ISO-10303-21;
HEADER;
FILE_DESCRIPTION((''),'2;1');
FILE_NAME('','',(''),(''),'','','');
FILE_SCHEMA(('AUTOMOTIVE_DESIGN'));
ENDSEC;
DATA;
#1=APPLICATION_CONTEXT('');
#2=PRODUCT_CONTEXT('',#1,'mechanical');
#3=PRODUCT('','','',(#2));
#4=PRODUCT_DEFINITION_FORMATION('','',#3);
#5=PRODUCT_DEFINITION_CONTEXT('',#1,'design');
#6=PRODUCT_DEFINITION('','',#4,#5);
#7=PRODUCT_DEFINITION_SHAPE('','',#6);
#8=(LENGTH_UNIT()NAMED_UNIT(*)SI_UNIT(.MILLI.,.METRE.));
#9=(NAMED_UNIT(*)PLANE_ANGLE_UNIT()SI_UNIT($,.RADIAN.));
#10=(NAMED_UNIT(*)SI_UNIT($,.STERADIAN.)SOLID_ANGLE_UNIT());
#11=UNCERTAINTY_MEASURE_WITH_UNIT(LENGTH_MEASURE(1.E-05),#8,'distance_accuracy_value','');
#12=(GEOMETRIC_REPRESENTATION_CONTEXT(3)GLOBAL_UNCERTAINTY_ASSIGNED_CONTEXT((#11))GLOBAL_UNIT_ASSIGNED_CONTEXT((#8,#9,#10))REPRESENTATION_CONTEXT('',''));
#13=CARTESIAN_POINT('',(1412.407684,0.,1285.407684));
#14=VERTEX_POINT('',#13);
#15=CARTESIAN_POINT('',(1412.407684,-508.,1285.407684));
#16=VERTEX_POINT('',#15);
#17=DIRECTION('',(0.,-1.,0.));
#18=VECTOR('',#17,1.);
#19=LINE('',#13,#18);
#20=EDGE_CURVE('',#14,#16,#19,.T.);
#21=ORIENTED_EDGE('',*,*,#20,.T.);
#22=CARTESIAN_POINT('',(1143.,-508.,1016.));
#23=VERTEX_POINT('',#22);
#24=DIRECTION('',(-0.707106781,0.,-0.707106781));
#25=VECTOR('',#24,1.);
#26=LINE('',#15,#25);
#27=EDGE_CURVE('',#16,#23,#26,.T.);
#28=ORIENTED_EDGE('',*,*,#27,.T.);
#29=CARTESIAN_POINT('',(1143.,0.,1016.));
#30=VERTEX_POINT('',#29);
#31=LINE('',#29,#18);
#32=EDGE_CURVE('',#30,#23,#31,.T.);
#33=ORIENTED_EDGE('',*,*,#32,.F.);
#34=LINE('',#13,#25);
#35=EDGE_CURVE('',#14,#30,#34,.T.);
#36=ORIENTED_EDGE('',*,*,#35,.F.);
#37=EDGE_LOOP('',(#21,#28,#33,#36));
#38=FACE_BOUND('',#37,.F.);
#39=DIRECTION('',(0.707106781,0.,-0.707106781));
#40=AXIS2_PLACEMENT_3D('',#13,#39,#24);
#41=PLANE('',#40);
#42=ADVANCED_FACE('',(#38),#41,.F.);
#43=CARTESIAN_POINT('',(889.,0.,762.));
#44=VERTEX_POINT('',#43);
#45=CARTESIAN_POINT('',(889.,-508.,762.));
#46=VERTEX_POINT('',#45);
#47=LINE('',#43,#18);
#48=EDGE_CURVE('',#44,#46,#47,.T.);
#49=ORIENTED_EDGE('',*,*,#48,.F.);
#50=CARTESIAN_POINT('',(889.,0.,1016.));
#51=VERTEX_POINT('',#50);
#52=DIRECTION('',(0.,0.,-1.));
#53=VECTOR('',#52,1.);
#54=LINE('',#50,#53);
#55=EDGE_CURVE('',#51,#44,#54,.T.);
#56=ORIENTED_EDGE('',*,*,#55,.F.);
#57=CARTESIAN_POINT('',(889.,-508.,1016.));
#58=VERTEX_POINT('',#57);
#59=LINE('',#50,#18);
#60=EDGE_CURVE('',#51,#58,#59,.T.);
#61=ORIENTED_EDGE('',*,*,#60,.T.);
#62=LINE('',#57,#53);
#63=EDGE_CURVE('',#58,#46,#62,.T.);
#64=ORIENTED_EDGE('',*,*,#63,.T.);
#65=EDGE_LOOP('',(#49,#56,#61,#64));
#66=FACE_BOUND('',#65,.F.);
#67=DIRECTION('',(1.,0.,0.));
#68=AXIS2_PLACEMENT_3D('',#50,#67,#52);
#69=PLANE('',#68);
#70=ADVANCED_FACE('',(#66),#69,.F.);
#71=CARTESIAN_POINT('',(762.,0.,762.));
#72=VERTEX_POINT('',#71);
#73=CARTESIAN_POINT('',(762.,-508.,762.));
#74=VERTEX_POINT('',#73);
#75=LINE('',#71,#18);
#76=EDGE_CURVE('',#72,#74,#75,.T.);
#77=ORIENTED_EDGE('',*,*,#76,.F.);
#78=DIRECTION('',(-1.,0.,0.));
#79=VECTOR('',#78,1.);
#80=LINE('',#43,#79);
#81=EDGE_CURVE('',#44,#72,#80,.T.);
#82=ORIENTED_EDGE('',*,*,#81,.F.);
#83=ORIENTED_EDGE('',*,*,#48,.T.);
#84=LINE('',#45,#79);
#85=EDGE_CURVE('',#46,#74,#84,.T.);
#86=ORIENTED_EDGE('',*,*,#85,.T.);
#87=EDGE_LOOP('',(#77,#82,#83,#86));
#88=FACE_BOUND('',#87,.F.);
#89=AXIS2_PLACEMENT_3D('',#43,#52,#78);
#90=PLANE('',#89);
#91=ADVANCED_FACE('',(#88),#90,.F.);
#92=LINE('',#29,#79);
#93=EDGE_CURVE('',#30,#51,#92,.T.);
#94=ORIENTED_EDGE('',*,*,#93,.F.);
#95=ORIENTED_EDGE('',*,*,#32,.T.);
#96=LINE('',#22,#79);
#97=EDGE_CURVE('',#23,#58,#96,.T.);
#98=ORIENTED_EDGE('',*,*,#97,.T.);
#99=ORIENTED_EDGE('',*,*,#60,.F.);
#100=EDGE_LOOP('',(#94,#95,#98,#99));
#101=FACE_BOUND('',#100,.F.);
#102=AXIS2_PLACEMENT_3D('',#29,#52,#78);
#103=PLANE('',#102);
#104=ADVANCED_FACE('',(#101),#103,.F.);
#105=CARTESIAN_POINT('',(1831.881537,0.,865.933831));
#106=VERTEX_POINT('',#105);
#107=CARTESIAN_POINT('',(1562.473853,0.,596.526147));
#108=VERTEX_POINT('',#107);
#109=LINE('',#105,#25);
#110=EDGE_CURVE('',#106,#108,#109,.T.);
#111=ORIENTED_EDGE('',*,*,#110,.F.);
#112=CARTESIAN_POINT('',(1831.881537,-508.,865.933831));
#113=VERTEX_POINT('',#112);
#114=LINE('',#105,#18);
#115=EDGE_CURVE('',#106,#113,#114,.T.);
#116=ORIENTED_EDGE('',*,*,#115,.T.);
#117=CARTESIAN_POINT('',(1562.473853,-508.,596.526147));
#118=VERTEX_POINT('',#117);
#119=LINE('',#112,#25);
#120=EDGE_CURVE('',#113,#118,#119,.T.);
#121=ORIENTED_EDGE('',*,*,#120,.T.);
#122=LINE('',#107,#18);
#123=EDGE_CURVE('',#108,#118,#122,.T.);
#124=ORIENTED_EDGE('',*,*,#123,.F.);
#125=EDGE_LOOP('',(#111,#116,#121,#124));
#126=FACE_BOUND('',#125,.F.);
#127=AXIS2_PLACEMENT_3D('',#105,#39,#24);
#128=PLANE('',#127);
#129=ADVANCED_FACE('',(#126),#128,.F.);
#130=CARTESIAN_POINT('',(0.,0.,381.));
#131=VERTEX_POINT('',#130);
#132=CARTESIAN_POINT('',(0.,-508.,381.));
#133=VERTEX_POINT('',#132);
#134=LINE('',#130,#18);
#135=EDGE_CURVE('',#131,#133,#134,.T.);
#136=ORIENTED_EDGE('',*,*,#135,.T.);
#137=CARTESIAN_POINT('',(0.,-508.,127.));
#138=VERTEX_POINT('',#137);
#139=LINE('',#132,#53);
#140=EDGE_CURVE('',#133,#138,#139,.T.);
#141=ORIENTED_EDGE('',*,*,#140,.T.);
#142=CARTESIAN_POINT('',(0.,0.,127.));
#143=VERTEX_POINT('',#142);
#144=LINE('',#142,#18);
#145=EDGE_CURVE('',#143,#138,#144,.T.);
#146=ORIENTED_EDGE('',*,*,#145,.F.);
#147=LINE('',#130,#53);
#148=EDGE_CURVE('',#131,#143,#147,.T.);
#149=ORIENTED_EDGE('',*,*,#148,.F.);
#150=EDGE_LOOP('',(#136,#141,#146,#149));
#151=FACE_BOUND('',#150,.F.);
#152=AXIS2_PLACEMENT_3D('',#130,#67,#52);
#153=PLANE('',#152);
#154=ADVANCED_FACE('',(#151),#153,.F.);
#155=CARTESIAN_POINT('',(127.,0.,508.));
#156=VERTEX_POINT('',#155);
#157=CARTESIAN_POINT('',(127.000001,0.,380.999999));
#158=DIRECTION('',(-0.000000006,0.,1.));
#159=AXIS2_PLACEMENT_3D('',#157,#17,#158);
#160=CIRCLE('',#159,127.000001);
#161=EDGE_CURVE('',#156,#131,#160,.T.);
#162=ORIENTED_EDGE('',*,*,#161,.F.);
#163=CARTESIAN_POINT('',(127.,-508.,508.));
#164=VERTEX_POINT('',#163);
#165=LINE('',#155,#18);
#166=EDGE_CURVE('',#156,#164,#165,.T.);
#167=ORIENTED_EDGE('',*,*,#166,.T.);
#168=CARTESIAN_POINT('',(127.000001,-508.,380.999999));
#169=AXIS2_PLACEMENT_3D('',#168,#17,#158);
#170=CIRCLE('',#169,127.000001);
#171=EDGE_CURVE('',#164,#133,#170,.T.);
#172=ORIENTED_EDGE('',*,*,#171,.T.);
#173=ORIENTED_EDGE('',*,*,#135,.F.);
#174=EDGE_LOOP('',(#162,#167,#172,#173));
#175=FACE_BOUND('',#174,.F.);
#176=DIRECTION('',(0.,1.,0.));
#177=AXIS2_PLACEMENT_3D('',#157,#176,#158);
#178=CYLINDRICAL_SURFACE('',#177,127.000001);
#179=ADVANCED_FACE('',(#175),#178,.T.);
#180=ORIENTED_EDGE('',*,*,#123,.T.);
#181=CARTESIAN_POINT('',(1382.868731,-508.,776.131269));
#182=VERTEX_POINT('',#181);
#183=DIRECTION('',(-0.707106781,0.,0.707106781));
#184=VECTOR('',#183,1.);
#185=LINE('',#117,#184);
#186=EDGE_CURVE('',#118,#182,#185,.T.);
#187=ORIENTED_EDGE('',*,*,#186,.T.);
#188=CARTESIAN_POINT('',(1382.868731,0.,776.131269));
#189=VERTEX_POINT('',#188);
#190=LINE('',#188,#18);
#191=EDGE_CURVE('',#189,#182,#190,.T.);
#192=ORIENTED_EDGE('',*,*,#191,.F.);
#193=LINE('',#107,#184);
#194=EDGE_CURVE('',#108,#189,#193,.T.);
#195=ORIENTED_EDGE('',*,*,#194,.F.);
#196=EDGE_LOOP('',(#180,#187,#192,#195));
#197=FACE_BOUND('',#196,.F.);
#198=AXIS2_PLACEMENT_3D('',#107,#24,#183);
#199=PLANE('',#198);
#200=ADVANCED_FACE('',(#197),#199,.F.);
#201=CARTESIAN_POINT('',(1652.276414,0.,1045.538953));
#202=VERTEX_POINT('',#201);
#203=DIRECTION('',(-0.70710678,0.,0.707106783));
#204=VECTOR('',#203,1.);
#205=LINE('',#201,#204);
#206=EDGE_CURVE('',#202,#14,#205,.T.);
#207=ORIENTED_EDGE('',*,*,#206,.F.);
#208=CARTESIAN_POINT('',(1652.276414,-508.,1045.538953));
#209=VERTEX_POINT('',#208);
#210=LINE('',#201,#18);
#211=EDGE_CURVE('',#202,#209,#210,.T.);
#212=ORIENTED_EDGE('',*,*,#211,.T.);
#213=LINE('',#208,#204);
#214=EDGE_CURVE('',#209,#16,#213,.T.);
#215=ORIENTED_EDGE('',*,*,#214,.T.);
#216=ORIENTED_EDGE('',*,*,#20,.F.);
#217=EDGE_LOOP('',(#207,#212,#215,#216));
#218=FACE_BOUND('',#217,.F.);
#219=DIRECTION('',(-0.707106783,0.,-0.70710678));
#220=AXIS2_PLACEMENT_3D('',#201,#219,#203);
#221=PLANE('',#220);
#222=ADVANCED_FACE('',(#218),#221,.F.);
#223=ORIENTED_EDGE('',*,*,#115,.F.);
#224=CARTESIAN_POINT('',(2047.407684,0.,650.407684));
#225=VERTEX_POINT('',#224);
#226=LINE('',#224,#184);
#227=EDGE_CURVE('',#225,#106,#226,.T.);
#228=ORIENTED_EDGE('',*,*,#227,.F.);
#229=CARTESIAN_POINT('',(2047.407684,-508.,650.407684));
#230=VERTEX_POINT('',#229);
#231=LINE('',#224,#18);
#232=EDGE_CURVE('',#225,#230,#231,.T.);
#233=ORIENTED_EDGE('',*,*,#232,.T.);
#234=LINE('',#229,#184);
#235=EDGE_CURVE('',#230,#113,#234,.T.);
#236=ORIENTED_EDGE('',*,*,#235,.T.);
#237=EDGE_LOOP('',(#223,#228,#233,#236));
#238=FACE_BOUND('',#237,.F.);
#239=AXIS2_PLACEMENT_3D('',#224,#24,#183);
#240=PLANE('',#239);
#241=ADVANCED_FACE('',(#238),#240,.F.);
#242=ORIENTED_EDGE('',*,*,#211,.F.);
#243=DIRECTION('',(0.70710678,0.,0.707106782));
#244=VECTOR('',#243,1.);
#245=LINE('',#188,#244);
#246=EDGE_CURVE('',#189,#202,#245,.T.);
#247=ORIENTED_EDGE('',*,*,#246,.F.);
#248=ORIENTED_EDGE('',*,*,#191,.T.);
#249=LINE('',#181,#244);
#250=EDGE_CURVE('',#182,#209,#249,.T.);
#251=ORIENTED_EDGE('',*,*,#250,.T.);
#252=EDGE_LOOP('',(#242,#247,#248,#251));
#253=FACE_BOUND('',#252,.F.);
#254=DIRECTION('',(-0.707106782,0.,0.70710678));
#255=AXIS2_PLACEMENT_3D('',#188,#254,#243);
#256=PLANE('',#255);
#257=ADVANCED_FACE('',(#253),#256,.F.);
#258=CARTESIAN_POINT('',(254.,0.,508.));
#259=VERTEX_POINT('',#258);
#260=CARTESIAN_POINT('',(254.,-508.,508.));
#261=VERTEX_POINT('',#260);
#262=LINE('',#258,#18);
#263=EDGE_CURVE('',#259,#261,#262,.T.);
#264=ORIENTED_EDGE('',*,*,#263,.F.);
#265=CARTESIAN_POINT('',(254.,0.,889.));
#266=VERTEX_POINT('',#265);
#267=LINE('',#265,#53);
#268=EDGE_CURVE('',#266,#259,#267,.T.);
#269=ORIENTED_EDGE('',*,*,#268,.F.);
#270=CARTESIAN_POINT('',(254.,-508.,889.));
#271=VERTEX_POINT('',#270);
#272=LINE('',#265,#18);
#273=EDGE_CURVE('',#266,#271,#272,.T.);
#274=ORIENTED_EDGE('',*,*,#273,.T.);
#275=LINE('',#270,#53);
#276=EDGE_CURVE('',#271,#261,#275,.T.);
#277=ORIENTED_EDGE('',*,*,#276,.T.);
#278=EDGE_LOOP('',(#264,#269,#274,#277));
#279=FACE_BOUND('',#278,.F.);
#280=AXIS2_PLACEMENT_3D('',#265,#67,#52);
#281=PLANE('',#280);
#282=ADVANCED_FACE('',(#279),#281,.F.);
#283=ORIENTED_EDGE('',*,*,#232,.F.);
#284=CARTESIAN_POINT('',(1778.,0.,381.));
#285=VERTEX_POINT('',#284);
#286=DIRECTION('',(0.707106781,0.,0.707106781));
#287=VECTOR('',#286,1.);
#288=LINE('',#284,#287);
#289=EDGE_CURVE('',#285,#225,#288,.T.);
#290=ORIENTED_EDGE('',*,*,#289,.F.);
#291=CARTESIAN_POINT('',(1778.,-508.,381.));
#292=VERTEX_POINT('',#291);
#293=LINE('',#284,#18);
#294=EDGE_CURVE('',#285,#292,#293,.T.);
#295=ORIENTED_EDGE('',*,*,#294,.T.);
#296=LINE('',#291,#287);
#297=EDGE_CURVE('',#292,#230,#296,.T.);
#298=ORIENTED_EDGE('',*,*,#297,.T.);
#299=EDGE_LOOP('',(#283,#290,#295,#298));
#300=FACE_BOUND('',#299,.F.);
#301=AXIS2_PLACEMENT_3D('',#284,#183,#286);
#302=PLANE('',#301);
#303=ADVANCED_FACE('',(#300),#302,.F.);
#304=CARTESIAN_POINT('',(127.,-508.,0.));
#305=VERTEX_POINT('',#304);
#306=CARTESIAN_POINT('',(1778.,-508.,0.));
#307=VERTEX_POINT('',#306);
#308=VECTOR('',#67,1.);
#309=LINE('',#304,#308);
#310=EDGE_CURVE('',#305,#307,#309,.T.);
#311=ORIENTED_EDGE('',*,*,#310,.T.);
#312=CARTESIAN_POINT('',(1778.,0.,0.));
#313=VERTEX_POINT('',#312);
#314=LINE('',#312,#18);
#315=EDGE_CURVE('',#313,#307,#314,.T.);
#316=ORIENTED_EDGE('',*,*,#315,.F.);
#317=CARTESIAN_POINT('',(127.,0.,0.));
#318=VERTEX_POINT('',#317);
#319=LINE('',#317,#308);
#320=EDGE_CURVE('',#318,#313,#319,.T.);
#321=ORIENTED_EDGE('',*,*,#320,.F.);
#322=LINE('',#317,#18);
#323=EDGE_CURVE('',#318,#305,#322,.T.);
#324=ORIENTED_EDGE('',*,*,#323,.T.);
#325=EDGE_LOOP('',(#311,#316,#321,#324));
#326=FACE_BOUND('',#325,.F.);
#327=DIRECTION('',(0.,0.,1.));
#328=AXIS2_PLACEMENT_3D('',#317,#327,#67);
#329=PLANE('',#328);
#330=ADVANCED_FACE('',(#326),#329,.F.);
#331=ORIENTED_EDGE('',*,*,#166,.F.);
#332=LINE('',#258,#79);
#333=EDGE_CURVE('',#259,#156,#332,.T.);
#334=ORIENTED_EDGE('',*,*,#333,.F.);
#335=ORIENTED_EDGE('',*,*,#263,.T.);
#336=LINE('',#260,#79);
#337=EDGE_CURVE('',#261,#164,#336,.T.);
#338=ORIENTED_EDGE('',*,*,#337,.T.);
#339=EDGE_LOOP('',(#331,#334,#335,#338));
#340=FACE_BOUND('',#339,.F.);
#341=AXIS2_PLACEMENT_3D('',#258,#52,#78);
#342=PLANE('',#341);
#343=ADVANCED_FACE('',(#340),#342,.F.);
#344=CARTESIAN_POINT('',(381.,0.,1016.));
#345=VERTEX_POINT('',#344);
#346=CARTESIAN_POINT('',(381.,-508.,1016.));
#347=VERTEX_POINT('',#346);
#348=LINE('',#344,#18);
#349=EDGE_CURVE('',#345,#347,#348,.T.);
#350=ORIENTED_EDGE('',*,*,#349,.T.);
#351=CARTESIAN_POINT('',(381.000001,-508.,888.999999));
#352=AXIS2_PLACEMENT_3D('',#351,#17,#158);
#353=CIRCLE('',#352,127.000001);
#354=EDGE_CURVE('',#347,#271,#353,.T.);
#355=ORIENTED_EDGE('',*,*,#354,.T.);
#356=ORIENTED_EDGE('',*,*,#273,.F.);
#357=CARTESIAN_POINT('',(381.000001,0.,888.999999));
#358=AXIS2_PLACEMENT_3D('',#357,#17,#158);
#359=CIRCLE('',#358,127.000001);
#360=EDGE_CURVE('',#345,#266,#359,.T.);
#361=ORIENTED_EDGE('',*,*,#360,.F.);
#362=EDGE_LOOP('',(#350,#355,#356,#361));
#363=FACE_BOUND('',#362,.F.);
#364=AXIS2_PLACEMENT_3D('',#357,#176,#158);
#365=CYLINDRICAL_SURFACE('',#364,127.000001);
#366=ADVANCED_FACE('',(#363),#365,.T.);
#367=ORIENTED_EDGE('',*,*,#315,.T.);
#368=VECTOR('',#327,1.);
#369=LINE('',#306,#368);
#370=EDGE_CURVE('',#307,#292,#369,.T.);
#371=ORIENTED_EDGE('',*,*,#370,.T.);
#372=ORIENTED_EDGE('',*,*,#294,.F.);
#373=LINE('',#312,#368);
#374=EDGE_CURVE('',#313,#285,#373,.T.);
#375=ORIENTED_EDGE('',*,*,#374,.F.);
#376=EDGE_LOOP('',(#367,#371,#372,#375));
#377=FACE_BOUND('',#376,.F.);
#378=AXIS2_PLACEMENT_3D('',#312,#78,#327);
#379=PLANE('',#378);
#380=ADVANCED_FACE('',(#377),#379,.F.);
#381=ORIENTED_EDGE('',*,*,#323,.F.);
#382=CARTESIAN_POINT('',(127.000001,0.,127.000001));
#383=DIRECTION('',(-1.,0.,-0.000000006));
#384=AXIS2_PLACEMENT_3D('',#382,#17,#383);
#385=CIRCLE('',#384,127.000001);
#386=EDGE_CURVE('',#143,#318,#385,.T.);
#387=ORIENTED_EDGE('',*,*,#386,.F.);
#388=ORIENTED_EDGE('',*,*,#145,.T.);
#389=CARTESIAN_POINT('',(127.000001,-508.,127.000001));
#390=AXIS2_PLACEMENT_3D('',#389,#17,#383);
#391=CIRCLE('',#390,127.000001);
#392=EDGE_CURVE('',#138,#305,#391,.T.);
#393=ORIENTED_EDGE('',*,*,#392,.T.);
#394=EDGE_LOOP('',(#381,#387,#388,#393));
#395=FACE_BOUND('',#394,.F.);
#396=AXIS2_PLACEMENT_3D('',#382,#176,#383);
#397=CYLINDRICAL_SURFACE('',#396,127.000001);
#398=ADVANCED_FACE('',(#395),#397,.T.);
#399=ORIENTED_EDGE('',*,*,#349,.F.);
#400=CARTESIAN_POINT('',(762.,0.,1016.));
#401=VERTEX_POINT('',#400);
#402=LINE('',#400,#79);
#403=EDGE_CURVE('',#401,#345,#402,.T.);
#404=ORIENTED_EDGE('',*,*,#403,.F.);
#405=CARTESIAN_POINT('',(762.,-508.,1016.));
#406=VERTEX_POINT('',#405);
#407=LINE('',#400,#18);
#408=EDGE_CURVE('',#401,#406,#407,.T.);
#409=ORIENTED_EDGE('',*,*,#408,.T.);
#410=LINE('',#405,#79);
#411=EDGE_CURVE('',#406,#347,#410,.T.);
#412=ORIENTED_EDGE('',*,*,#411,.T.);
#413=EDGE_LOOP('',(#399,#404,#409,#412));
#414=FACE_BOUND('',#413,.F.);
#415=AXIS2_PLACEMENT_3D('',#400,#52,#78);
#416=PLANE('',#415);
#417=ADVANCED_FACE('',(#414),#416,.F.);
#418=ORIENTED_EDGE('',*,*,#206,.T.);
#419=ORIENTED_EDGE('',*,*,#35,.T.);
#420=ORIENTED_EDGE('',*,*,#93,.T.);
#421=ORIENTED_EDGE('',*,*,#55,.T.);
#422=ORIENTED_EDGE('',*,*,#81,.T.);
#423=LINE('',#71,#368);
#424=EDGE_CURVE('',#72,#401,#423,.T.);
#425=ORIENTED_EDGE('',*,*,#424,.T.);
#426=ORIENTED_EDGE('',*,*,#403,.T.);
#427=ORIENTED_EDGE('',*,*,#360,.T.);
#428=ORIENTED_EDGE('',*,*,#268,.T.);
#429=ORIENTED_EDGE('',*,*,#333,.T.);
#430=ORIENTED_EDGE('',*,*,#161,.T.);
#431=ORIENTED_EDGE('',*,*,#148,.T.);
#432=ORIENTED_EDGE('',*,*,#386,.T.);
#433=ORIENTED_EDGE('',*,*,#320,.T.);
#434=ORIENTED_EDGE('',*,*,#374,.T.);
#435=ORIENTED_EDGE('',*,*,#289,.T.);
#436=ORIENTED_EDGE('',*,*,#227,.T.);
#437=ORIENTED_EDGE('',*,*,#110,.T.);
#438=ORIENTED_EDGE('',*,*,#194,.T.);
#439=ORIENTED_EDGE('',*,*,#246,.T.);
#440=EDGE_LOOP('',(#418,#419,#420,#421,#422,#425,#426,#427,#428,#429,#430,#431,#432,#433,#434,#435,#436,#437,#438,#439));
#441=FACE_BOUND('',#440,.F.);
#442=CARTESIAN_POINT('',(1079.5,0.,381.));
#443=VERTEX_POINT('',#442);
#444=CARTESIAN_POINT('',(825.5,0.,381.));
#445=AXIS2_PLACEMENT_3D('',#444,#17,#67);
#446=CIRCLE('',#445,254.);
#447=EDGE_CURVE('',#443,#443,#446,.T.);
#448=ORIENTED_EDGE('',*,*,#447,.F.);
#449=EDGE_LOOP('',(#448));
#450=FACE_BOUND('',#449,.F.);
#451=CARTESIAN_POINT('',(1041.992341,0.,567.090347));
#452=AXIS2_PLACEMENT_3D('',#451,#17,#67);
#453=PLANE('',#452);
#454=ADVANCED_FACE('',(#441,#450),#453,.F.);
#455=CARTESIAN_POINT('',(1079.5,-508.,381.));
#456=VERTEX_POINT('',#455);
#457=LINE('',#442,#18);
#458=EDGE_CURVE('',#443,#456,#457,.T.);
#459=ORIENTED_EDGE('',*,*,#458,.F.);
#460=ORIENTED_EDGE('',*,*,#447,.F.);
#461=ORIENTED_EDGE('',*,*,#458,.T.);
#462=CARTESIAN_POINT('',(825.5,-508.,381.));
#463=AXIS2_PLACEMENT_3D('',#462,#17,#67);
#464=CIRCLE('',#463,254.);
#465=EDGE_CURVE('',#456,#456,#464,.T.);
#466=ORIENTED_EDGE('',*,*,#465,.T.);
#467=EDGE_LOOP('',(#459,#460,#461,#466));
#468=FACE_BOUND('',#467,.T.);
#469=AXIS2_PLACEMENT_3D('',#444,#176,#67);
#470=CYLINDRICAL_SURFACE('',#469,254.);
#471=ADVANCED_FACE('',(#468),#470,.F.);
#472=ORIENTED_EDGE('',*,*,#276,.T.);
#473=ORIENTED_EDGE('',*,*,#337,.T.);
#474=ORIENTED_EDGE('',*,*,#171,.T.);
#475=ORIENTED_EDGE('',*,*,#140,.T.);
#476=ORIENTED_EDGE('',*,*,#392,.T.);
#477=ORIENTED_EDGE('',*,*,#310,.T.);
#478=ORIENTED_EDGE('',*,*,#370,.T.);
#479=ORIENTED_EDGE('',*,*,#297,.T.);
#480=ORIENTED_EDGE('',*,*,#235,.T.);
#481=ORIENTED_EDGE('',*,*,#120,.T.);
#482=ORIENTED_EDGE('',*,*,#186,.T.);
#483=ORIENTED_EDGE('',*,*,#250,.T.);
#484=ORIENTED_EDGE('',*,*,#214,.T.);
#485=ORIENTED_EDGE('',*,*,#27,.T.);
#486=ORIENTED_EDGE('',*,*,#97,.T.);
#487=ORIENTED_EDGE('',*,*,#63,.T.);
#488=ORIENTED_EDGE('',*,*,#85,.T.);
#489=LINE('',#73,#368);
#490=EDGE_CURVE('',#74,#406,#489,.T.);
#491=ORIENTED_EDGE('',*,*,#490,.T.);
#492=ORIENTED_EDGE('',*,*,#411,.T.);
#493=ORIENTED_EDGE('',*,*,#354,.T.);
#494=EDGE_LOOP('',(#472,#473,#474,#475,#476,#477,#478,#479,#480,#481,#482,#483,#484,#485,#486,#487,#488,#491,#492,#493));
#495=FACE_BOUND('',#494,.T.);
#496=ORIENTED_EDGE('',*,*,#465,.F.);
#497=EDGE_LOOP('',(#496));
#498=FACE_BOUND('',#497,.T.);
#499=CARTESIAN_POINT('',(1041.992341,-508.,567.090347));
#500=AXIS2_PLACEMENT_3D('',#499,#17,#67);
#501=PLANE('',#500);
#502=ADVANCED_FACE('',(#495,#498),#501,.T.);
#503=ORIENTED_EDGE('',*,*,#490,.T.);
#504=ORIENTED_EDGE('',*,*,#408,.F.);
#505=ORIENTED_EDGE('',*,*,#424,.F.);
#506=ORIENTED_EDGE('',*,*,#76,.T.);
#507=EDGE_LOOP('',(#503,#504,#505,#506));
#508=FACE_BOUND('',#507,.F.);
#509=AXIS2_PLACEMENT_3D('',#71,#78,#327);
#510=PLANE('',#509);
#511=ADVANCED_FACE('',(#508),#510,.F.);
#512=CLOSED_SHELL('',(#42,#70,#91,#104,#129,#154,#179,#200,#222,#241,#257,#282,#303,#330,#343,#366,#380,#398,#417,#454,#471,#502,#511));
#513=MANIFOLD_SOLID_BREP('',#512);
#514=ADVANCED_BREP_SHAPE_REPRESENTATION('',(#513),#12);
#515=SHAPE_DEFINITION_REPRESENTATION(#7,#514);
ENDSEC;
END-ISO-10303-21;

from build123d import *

# Parameters (mm, degrees)
F0_R     = 254
F1_DEPTH = 508


with BuildPart() as f1:
    # F0 (on Front) → F1 (new body)
    with BuildSketch(Plane.XZ):
        with BuildLine():
            ThreePointArc((0, 127), (37.197439, 37.197439), (127, 0))
            Line((127, 0), (1778, 0))
            Line((1778, 0), (1778, 381))
            Line((1778, 381), (2047.407684, 650.407684))
            Line((2047.407684, 650.407684), (1831.881537, 865.933831))
            Line((1831.881537, 865.933831), (1562.473853, 596.526147))
            Line((1562.473853, 596.526147), (1382.868731, 776.131269))
            Line((1382.868731, 776.131269), (1652.276414, 1045.538953))
            Line((1652.276414, 1045.538953), (1412.407684, 1285.407684))
            Line((1412.407684, 1285.407684), (1143, 1016))
            Line((1143, 1016), (889, 1016))
            Line((889, 1016), (889, 762))
            Line((889, 762), (762, 762))
            Line((762, 762), (762, 1016))
            Line((762, 1016), (381, 1016))
            ThreePointArc((381, 1016), (291.197439, 978.802561), (254, 889))
            Line((254, 889), (254, 508))
            Line((254, 508), (127, 508))
            ThreePointArc((127, 508), (37.197439, 470.802561), (0, 381))
            Line((0, 381), (0, 127))
        make_face()
        with Locations((825.5, 381)):
            Circle(F0_R, mode=Mode.SUBTRACT)
    extrude(amount=F1_DEPTH)


solid = f1.part
